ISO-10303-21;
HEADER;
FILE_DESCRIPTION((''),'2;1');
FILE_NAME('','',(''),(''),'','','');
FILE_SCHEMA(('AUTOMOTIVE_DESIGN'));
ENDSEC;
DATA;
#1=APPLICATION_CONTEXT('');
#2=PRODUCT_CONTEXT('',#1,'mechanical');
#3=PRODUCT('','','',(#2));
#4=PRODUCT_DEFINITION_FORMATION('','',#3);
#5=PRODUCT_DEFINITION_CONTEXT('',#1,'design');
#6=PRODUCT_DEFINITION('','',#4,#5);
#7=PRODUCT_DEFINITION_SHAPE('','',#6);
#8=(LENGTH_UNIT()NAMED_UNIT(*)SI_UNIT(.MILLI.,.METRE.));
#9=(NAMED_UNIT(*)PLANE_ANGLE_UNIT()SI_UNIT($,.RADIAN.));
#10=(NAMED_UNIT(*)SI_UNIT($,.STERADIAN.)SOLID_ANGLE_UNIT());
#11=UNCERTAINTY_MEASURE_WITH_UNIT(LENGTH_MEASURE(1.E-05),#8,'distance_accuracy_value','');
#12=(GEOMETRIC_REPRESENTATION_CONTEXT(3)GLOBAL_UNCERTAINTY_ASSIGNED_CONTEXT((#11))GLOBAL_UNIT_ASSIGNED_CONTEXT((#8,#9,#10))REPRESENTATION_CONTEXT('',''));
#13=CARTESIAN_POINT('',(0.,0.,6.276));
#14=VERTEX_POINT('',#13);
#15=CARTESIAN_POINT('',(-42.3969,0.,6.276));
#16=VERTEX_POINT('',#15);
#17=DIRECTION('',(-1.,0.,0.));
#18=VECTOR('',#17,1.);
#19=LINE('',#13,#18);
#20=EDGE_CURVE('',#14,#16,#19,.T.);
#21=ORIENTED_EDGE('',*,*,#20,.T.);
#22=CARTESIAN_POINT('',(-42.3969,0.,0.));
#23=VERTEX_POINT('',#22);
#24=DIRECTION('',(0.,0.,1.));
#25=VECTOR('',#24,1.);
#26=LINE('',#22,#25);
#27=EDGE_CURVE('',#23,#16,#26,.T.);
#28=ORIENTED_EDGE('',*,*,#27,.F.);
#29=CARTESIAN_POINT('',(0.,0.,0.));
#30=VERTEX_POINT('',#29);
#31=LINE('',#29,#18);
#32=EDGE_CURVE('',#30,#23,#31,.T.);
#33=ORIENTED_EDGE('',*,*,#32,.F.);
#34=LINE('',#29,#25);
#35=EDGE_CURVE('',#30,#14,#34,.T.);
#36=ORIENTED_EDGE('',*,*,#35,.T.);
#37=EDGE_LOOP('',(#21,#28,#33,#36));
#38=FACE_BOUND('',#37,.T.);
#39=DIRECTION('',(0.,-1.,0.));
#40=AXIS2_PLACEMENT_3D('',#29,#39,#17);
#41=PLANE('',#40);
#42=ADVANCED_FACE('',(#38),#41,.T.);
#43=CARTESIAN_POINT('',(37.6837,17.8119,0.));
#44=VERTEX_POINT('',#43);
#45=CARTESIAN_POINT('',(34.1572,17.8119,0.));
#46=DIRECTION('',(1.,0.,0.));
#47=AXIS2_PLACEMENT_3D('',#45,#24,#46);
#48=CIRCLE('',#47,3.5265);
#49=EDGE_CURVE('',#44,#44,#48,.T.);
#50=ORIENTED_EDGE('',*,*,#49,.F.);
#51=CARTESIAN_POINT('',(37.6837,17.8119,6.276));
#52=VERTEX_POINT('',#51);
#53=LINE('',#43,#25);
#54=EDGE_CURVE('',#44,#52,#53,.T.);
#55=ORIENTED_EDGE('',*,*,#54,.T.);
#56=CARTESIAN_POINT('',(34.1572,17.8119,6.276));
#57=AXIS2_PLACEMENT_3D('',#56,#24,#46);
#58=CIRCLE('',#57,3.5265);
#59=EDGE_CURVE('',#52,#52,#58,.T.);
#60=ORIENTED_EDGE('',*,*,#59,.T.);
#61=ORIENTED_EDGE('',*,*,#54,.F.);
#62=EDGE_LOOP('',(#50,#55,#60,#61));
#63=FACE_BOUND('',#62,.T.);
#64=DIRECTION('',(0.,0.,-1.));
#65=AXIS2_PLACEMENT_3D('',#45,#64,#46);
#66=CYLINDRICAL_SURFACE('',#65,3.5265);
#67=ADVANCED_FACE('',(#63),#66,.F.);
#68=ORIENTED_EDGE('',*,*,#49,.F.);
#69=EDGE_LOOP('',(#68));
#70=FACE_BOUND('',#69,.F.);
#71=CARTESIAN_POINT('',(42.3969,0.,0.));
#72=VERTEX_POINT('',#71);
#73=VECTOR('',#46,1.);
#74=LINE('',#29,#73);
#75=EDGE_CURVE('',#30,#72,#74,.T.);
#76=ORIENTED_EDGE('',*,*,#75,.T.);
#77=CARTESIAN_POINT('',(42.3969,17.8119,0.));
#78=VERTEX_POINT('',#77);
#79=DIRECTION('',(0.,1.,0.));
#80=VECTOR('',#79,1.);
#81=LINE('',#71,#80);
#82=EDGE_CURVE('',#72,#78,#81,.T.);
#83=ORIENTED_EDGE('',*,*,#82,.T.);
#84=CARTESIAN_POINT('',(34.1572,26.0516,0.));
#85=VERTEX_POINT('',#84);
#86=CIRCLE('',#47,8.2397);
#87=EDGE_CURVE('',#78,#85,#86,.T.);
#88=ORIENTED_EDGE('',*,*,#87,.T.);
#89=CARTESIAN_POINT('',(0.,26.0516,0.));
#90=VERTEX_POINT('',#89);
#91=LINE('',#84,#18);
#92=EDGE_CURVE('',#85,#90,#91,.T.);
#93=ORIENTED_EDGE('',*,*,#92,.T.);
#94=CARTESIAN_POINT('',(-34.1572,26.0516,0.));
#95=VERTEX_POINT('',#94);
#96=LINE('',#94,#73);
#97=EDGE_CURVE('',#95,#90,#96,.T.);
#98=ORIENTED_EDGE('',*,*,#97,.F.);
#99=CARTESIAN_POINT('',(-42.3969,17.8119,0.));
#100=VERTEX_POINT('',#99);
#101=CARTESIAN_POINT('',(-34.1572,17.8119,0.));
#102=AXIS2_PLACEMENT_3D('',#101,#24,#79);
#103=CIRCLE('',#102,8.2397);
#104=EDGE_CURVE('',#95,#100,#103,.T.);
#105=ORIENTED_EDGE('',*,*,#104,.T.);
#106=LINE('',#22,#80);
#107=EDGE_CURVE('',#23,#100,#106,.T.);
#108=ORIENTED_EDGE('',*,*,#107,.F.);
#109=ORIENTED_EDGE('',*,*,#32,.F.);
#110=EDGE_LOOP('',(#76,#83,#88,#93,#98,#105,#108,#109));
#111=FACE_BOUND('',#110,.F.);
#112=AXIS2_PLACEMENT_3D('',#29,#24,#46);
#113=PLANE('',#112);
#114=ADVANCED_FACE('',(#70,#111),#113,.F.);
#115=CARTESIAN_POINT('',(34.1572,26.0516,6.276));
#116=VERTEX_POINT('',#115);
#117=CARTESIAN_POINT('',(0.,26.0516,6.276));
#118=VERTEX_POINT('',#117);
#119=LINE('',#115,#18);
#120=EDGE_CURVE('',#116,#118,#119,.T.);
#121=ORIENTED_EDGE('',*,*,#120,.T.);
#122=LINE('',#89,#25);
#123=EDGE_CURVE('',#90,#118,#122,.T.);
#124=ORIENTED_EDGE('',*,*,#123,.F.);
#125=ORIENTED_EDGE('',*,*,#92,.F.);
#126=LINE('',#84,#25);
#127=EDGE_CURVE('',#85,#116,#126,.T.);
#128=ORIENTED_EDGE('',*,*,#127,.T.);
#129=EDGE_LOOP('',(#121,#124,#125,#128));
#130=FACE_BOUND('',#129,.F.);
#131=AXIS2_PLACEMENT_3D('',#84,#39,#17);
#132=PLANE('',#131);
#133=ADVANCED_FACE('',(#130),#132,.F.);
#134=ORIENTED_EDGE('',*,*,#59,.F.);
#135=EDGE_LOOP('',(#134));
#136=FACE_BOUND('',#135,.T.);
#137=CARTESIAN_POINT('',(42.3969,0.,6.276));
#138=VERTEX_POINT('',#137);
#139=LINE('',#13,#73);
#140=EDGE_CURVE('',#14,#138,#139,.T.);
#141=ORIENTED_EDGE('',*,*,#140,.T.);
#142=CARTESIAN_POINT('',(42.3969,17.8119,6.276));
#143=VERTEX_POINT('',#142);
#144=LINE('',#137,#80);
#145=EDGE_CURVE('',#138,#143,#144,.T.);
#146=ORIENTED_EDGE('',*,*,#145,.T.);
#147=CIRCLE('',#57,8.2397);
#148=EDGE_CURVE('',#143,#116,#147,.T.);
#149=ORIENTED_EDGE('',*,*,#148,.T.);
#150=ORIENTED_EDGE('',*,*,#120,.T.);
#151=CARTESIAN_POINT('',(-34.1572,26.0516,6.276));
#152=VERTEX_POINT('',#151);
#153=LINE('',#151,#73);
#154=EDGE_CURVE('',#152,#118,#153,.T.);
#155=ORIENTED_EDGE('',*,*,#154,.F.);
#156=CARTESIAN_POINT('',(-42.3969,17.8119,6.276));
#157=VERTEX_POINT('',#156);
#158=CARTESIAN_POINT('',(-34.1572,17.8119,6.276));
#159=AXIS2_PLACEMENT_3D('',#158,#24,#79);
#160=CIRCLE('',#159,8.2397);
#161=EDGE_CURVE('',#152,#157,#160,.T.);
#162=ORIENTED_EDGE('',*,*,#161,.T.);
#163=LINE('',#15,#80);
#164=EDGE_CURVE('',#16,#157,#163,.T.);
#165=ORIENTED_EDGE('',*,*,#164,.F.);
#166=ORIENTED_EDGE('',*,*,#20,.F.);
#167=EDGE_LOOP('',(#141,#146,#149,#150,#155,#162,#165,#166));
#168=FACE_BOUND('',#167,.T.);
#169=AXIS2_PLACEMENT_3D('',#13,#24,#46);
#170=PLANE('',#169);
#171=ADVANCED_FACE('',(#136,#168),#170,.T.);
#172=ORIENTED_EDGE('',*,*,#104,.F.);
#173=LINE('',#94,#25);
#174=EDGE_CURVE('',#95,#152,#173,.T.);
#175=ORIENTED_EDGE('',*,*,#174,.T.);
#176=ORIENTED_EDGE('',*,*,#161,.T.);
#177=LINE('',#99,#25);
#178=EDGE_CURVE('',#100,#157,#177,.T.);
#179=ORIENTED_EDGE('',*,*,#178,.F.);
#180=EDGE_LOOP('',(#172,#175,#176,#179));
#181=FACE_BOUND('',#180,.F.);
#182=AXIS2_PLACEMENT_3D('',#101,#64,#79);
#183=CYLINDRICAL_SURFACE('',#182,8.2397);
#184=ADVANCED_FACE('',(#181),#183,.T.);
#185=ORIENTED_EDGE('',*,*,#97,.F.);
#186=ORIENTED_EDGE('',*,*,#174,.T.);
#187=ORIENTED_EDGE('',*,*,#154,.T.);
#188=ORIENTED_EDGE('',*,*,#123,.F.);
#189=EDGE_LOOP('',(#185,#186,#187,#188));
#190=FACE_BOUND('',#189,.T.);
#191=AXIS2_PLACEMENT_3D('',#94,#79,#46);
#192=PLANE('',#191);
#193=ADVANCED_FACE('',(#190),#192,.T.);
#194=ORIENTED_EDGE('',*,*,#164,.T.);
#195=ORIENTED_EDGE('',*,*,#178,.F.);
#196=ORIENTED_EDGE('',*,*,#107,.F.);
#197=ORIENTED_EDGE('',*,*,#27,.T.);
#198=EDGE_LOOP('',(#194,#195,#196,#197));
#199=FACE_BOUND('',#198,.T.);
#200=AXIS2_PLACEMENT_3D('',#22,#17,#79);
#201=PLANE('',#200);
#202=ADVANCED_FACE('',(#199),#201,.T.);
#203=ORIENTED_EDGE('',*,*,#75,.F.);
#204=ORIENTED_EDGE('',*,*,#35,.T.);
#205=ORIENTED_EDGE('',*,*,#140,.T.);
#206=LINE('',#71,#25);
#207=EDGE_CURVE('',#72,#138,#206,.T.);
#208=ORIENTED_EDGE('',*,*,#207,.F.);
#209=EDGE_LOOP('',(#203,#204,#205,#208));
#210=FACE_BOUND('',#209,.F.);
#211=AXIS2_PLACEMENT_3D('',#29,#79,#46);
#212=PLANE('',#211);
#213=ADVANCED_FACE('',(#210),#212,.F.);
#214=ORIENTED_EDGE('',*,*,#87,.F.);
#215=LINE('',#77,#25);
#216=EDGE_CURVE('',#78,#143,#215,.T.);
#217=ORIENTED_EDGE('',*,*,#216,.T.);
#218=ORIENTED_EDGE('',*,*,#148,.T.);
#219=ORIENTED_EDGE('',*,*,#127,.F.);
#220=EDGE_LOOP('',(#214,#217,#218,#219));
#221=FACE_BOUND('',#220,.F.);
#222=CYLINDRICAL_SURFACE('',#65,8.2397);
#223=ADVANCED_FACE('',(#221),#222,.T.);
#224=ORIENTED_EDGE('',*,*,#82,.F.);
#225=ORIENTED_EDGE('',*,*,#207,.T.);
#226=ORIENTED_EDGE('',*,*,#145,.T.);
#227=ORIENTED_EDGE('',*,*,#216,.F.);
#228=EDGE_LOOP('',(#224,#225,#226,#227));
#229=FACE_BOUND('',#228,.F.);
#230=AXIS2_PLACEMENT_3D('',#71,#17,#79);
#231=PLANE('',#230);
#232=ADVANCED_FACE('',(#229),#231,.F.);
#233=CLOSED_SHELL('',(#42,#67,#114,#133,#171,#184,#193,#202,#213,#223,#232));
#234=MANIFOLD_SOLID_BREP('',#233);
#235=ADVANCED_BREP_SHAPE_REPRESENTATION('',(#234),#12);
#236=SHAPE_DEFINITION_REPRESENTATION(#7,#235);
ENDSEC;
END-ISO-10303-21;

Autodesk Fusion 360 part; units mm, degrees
sketch "Sketch1" plane through (0, 0, 0) normal (0, 0, 1) x (1, 0, 0)
  line L0 (0, 0) -> (42.3969, 0)
  line L1 (42.3969, 0) -> (42.3969, 17.8119)
  line L2 (34.1572, 26.0516) -> (0, 26.0516)
  line L3 (-42.3969, 0) -> (-42.3969, 17.8119)
  line L4 (-34.1572, 26.0516) -> (0, 26.0516)
  line L5 (0, 0) -> (-42.3969, 0)
  arc A0 (-34.1572, 26.0516) -> (-42.3969, 17.8119) centre (-34.1572, 17.8119) ccw
  arc A1 (42.3969, 17.8119) -> (34.1572, 26.0516) centre (34.1572, 17.8119) ccw
  circle A2 centre (34.1572, 17.8119) radius 3.5265
  dimension "d1" = 8.2397
extrude "Extrude1" add sketch "Sketch1" along normal blind 6.276
